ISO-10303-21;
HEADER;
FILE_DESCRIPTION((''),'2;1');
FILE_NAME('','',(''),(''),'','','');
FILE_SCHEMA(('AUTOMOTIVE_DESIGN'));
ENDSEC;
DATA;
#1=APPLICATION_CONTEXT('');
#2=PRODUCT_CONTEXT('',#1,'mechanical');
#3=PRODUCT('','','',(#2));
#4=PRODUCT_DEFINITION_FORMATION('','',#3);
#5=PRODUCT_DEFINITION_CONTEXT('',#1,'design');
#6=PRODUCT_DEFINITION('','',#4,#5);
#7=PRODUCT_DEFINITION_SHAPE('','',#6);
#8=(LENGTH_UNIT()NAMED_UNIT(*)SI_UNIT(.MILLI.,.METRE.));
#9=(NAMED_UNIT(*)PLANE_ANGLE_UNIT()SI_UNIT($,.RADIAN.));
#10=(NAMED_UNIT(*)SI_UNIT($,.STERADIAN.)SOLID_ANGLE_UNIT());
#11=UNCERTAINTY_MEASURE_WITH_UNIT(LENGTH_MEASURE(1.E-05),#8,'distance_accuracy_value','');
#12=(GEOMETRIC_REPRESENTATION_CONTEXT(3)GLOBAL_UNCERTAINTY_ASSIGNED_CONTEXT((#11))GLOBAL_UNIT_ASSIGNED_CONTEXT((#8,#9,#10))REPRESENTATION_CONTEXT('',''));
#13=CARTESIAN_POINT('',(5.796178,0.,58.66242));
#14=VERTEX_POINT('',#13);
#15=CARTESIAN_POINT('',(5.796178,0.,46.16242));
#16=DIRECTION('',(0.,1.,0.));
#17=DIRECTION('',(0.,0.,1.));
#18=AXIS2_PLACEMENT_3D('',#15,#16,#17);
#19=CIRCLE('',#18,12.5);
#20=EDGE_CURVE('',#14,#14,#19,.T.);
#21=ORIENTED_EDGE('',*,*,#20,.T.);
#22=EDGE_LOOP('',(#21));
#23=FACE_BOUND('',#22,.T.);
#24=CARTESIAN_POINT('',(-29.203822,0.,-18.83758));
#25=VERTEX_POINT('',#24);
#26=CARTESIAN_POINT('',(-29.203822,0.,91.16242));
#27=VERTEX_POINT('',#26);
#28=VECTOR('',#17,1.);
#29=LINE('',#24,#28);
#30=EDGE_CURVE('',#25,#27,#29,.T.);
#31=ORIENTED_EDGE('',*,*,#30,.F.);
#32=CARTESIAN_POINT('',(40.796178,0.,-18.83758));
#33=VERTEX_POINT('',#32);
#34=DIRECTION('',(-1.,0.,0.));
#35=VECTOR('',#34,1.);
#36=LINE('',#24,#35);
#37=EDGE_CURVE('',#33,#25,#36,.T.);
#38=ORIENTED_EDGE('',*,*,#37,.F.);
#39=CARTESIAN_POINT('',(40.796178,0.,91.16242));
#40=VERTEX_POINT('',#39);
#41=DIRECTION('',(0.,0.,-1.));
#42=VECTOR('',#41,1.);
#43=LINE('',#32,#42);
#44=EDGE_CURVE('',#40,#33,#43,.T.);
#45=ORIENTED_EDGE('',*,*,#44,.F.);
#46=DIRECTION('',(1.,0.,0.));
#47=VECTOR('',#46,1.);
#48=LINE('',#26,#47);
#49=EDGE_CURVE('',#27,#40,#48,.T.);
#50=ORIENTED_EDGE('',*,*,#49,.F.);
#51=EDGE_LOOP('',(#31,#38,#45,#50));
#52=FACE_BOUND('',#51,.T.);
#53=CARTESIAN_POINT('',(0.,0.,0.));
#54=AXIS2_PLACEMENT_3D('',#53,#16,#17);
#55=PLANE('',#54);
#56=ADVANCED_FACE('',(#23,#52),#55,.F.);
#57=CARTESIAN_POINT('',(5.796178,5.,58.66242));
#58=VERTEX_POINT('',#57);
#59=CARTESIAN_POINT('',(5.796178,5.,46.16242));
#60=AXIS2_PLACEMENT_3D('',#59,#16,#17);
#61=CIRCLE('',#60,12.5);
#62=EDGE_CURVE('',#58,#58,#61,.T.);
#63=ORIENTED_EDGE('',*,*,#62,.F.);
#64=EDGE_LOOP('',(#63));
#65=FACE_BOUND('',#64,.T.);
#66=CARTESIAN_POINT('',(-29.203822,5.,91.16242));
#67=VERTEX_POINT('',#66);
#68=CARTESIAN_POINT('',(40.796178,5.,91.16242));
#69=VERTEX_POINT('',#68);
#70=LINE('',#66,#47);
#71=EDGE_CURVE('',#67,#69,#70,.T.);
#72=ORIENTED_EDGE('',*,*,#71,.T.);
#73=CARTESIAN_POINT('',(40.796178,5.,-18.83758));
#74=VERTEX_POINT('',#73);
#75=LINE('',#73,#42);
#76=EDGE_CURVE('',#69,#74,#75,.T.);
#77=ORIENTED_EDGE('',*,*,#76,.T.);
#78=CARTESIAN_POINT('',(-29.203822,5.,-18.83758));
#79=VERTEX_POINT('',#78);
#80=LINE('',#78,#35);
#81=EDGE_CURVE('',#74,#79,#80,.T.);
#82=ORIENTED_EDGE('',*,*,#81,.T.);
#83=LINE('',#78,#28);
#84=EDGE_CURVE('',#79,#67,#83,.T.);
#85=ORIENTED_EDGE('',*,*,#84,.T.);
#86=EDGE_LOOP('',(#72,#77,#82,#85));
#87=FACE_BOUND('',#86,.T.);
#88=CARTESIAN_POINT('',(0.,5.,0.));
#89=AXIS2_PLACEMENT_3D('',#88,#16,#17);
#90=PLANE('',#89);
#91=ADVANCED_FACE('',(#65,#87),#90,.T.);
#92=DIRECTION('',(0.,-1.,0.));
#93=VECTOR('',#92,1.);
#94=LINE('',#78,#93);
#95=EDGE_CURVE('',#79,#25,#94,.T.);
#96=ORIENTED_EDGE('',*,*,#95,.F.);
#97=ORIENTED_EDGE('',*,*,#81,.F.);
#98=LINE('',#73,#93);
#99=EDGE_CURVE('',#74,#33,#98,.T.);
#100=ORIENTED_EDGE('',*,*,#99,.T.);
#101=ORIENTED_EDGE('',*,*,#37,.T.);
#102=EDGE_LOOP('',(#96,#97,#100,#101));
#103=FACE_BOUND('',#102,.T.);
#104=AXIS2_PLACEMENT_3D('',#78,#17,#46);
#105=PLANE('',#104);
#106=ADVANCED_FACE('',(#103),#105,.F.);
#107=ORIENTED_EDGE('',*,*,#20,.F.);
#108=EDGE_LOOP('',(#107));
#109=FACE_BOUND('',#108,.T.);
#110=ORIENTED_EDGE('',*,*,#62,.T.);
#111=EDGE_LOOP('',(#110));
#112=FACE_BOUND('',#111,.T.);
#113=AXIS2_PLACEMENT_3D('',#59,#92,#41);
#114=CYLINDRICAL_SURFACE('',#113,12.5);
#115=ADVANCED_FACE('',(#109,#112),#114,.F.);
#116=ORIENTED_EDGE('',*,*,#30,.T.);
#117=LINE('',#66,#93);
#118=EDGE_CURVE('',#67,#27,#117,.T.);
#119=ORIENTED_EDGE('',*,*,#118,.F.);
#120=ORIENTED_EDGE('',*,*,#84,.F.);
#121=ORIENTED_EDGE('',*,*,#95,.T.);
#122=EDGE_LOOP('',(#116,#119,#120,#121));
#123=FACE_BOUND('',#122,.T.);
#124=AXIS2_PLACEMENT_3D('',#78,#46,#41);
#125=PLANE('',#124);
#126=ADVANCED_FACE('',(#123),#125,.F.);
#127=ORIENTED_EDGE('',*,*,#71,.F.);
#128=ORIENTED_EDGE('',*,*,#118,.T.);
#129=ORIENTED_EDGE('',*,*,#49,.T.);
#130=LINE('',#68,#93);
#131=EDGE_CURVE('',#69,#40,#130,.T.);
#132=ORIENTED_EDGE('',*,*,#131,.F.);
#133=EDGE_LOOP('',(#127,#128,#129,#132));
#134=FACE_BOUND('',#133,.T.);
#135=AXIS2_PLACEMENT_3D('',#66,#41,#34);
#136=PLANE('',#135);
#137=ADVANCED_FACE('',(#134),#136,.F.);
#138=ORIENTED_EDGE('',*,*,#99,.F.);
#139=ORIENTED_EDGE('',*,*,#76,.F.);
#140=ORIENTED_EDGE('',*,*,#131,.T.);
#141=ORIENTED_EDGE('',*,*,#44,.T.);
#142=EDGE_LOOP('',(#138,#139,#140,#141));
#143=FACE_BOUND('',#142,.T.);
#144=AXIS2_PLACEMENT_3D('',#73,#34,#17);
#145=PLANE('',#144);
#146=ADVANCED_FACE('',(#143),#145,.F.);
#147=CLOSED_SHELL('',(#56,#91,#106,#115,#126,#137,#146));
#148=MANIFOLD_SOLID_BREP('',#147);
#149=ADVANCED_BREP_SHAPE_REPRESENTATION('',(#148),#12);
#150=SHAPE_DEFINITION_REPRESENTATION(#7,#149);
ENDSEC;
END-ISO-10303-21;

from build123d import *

# Parameters (mm, degrees)
CROQUIS1_W              = 70
CROQUIS1_H              = 110
CROQUIS1_R              = 12.5
SALIENTE_EXTRUIR1_DEPTH = 5


with BuildPart() as part:
    # Croquis1 → Saliente-Extruir1 (new body)
    with BuildSketch(Plane(origin=(0, 0, 0), x_dir=(1, 0, 0), z_dir=(0, 1, 0))):
        with Locations((5.796178344, -36.162420382)):
            Rectangle(CROQUIS1_W, CROQUIS1_H)
        with Locations(Location((5.796178344, -46.162420382, 0), (0, 0, 270))):
            Circle(CROQUIS1_R, mode=Mode.SUBTRACT)
    extrude(amount=SALIENTE_EXTRUIR1_DEPTH)


solid = part.part
